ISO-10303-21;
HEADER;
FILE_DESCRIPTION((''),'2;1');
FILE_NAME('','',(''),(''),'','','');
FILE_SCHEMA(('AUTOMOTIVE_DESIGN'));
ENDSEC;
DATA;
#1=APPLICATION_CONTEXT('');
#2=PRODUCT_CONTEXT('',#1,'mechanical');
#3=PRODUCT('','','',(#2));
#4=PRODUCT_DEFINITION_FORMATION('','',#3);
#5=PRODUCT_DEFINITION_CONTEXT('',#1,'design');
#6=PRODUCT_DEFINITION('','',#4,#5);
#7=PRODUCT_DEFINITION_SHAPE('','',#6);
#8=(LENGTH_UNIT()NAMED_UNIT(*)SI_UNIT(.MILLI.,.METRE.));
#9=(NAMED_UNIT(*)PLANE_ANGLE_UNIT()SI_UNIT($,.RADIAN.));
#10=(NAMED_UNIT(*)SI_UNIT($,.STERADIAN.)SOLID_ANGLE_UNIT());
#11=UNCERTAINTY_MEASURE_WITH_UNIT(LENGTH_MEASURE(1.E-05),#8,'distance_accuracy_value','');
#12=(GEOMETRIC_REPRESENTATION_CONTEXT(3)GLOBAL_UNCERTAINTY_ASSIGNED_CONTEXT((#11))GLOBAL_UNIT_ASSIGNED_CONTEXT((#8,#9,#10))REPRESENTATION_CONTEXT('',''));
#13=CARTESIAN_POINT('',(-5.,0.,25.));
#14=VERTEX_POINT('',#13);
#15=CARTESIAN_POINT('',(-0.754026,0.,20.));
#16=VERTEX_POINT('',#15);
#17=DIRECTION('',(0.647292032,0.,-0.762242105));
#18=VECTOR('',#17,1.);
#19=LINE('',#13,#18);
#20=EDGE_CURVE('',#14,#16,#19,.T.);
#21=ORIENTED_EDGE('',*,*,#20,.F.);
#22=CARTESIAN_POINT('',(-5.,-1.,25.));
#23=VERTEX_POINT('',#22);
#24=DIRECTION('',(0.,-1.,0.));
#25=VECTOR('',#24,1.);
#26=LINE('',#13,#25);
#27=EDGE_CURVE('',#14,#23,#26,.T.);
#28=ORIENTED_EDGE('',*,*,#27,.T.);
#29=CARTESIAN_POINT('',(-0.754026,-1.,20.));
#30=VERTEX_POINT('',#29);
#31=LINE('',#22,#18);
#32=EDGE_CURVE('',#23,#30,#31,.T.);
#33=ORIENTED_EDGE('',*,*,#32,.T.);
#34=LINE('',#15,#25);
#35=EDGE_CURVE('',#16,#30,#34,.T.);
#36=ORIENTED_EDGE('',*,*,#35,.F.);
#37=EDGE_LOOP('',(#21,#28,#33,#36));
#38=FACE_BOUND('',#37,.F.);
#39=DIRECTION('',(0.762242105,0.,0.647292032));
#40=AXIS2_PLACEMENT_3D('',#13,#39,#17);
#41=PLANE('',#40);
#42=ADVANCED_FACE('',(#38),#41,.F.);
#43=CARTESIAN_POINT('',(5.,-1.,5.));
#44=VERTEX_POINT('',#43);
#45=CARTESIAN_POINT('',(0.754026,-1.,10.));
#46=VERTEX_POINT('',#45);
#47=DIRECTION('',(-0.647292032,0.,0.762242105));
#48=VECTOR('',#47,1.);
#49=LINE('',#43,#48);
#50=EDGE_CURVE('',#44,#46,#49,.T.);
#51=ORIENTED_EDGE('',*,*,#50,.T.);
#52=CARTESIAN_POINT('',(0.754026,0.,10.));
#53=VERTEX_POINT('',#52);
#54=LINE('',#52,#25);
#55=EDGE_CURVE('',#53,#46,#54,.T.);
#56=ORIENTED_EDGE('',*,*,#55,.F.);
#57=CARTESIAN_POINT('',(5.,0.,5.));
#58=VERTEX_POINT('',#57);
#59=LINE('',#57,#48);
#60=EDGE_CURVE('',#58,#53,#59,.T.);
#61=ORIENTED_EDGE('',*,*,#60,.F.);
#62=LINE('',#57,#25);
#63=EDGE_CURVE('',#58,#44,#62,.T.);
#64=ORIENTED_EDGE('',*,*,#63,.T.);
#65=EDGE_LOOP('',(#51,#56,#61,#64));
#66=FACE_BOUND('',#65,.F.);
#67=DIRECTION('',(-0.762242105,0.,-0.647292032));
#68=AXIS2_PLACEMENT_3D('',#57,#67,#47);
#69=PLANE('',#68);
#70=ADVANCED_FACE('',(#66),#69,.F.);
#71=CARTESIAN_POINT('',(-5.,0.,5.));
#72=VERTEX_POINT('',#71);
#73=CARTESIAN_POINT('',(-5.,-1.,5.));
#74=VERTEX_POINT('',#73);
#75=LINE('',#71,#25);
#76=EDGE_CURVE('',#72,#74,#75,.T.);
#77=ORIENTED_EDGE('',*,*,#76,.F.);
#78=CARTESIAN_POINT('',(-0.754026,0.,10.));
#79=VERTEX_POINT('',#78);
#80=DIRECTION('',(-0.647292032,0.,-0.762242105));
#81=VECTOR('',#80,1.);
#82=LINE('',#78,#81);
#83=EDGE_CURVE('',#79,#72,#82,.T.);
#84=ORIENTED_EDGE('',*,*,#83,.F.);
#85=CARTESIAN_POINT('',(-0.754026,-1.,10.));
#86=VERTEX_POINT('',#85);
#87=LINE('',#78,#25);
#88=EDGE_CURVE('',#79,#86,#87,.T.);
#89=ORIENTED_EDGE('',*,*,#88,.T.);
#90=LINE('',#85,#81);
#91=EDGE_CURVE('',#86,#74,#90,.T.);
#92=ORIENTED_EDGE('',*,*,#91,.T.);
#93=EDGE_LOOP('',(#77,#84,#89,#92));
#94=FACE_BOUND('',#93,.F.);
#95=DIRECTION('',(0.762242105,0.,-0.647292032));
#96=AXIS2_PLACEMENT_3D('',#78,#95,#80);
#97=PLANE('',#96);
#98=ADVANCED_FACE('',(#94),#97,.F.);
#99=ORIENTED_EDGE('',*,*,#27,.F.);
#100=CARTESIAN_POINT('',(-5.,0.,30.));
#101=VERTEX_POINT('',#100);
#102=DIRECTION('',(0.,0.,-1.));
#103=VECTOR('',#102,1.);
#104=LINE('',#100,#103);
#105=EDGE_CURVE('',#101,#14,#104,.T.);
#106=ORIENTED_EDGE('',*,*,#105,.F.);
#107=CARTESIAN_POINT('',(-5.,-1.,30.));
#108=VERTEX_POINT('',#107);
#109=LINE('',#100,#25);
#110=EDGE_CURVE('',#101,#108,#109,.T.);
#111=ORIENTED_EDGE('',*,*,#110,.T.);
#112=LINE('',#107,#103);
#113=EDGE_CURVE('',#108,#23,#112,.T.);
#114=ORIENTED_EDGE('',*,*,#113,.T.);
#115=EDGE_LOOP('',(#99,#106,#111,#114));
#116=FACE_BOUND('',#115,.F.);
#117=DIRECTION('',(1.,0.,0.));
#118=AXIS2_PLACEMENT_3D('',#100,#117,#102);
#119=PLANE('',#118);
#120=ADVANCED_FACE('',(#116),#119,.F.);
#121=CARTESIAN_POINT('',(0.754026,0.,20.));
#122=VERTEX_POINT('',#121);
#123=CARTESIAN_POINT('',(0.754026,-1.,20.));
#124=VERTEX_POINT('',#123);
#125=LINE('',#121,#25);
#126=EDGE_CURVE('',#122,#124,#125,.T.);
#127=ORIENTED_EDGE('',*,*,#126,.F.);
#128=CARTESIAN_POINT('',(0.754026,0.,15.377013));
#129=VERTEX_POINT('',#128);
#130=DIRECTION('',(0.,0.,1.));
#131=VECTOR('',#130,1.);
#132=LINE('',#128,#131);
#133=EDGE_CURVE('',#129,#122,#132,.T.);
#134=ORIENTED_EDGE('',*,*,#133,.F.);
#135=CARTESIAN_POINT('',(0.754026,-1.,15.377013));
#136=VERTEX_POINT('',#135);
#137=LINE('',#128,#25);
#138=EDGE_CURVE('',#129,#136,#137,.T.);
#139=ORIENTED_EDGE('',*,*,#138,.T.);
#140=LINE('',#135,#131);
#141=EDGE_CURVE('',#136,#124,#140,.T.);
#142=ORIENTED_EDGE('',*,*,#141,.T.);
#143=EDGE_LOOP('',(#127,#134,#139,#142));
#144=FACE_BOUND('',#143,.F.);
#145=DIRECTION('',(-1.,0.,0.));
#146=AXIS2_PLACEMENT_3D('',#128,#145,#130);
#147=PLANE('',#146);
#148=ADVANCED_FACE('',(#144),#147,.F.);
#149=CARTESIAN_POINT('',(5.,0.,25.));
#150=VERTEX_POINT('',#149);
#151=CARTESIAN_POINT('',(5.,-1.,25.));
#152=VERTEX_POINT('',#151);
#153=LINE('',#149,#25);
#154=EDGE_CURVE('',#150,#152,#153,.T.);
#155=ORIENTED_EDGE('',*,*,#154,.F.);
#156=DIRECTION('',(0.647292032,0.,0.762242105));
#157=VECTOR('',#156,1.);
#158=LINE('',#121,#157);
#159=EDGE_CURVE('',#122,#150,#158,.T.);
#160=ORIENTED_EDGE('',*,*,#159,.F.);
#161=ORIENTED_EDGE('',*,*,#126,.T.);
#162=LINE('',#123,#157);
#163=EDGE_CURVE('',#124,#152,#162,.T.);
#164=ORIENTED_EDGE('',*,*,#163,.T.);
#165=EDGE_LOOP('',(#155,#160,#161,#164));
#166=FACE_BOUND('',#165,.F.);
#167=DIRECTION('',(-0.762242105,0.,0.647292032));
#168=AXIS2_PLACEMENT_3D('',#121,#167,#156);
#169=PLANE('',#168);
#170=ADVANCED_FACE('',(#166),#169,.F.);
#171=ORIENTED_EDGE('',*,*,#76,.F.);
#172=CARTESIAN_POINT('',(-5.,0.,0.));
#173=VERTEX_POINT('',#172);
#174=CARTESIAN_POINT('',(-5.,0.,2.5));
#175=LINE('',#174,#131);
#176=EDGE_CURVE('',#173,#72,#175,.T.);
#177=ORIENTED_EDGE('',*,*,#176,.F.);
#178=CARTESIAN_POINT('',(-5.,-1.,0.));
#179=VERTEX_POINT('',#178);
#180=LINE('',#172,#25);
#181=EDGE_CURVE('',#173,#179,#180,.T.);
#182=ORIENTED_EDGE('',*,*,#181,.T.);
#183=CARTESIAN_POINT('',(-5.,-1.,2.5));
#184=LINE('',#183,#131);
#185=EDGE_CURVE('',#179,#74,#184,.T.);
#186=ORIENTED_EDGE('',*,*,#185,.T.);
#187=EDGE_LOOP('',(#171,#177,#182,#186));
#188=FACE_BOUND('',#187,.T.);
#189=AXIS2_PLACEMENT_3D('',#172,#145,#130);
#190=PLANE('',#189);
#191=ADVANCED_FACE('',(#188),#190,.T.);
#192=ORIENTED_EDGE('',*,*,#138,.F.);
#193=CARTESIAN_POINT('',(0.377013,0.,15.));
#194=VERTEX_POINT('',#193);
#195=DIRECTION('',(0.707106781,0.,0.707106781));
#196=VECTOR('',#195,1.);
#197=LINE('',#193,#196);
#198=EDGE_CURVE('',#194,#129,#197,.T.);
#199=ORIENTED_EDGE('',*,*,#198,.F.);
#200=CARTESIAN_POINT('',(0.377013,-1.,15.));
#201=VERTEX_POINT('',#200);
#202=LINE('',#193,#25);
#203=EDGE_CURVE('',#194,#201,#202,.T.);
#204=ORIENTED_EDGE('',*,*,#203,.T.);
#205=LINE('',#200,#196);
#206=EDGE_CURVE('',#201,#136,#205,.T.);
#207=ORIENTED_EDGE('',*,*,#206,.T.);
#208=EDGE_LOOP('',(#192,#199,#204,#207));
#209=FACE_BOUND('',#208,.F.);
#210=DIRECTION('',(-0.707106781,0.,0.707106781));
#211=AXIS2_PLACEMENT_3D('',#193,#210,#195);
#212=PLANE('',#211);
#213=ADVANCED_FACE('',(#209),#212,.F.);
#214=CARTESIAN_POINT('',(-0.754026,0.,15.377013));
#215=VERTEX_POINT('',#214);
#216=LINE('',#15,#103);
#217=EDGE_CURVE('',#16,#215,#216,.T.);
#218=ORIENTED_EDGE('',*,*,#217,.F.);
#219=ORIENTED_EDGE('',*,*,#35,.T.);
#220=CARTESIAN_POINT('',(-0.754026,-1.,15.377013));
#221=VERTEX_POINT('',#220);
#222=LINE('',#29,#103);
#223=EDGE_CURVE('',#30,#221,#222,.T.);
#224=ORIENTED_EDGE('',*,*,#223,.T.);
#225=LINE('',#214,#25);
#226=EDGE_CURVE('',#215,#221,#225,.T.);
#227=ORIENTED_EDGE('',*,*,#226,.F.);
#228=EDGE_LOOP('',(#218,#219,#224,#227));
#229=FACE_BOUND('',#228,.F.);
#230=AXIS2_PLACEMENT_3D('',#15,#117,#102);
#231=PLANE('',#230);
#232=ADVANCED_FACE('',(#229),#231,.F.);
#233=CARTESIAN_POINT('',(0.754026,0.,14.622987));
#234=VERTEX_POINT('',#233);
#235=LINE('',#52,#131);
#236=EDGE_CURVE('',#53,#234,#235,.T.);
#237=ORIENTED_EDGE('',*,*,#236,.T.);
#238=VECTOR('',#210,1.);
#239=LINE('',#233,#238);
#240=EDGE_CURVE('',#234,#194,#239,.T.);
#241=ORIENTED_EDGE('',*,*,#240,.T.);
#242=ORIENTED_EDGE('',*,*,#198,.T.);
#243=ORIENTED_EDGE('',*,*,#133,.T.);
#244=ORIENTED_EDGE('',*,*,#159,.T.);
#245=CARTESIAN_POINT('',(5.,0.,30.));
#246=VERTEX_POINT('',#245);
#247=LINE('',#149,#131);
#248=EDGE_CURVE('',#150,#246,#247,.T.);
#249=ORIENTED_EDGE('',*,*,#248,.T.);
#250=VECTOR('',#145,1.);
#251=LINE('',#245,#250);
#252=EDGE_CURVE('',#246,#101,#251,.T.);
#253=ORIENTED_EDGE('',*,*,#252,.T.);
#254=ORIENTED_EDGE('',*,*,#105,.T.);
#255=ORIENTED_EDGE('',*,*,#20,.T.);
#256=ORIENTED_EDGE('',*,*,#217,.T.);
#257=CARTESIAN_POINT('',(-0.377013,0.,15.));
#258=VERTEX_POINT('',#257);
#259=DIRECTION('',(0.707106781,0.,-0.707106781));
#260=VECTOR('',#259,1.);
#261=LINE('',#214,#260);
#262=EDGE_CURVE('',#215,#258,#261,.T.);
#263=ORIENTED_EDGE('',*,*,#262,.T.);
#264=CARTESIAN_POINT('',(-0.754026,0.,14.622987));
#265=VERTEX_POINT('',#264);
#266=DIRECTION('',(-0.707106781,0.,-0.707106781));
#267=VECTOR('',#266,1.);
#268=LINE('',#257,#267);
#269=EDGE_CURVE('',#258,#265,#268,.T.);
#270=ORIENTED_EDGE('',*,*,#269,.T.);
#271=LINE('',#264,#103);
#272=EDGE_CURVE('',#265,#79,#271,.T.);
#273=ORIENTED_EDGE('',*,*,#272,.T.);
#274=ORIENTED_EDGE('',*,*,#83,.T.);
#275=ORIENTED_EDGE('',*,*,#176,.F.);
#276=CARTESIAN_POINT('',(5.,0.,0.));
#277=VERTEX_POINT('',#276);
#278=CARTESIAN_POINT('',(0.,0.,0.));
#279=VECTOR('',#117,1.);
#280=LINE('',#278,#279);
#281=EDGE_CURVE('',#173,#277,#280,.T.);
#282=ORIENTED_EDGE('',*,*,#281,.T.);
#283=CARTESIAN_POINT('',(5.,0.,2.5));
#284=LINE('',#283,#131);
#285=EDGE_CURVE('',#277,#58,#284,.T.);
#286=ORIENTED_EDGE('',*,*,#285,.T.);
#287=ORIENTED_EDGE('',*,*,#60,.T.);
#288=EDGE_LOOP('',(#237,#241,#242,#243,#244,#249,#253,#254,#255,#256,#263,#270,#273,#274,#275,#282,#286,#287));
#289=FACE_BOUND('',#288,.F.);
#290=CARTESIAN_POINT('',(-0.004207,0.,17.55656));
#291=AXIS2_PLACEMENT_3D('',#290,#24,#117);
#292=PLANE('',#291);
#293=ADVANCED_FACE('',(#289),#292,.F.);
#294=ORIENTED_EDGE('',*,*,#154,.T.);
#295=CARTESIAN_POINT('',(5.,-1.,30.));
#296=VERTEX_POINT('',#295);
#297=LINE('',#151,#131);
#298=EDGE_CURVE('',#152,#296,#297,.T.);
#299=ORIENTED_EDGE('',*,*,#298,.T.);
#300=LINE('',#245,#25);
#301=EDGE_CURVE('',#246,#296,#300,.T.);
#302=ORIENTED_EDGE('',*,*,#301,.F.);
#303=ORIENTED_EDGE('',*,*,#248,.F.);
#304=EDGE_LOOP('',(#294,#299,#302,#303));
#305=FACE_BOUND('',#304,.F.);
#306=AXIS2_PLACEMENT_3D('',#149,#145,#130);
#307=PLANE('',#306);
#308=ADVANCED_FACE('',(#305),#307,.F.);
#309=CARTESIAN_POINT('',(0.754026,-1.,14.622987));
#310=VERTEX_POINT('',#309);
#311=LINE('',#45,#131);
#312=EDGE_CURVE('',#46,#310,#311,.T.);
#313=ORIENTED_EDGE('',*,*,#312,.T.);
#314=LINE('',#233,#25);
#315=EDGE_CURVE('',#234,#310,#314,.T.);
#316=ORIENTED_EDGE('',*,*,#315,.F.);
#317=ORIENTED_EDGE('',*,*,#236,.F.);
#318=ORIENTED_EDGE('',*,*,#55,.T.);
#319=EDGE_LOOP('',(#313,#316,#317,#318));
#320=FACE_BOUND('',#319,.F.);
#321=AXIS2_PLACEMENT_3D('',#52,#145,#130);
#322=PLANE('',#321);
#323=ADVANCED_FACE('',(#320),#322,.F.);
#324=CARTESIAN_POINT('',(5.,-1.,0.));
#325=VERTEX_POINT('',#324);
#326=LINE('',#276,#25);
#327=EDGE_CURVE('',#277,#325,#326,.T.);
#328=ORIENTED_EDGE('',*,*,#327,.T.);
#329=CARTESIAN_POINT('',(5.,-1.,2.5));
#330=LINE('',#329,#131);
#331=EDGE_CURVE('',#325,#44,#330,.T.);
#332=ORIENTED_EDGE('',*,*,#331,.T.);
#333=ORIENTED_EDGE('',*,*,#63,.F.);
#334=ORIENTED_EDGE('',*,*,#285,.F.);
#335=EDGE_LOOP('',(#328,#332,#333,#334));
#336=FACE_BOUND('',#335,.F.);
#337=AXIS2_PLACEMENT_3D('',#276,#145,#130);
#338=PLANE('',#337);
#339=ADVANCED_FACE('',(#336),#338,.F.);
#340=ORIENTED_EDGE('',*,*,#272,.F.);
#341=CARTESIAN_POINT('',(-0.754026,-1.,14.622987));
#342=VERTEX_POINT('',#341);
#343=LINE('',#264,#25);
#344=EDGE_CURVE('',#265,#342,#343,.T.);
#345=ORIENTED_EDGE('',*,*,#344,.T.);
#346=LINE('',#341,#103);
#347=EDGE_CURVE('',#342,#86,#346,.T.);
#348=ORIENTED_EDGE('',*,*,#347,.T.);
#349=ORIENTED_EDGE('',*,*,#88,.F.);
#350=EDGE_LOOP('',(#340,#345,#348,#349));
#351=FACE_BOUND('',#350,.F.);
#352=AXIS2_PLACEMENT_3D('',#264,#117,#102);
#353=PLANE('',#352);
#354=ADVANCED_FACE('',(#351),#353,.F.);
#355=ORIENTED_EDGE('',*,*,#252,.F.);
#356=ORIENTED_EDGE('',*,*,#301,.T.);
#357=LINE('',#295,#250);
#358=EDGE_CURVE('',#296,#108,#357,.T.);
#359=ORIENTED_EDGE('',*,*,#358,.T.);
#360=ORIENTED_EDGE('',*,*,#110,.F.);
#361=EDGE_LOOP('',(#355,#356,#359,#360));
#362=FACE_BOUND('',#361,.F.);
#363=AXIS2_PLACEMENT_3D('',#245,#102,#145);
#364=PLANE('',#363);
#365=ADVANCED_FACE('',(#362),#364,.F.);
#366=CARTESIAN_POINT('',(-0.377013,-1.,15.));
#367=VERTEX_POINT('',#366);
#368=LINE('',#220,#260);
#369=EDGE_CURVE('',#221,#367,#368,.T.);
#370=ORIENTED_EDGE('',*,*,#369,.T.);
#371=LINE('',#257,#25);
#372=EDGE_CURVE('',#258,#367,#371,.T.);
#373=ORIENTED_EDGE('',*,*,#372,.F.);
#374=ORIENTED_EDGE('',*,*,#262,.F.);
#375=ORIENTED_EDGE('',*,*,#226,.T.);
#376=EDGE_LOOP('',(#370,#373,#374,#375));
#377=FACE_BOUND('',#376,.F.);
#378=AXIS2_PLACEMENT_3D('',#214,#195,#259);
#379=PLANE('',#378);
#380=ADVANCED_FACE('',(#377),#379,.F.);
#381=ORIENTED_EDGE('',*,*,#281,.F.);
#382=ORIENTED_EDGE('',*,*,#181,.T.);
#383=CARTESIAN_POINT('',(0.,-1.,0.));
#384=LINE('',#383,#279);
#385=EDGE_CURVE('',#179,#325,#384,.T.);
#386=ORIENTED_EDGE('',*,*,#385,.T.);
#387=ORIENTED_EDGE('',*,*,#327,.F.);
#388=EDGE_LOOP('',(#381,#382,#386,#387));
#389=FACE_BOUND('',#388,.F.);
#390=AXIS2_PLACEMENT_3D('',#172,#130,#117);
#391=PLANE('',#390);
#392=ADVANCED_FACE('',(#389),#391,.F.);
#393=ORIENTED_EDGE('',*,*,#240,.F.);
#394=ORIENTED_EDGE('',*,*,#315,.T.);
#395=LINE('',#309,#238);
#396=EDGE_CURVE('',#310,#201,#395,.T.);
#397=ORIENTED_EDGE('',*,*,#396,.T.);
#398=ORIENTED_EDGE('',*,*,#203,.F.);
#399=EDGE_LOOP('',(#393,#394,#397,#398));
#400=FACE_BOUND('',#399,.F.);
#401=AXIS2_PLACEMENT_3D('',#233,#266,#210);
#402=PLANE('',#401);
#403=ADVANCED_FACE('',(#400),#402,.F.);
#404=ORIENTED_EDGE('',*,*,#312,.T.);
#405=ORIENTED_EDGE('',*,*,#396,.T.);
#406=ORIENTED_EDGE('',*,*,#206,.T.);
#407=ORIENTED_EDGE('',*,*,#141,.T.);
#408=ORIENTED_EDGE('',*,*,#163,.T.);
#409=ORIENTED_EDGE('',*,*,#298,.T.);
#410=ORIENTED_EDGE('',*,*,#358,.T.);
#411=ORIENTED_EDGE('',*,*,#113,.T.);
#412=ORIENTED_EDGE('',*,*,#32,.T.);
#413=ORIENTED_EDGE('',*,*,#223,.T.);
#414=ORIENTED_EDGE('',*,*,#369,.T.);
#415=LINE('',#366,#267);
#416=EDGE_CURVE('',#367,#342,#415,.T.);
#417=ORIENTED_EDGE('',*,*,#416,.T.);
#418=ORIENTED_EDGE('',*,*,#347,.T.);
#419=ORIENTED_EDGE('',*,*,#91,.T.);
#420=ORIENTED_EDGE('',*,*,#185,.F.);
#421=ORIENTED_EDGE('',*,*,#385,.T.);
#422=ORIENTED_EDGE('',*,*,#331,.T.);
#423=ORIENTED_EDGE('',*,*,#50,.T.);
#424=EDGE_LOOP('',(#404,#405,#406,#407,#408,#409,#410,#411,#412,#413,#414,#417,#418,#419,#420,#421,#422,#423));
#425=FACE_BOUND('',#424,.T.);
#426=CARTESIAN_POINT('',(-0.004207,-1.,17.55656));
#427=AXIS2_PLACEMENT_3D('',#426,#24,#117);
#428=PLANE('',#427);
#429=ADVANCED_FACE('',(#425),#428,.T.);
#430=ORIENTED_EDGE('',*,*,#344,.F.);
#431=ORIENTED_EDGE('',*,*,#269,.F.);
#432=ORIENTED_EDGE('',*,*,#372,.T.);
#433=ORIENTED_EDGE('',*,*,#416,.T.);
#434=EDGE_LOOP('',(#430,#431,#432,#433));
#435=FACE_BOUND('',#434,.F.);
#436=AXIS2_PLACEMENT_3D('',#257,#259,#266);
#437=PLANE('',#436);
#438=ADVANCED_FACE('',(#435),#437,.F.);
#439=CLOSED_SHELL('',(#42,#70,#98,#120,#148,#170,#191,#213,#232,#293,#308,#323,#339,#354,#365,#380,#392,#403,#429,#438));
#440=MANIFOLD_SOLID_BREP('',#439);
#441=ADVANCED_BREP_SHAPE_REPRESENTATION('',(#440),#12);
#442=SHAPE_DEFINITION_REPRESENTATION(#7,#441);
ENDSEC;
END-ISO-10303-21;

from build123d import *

# Parameters (mm, degrees)
F0_W     = 10
F0_H     = 5
F1_DEPTH = 1


with BuildPart() as f1:
    # F0 (on Front) → F1 (new body)
    with BuildSketch(Plane.XZ):
        Polygon((-0.377013, 15.377013), (-0.377013, 15), (0, 15), (0.377013, 15), (0.754026, 15.377013), (0.754026, 20), (-0.754026, 20), (-0.754026, 15.377013), align=None)
        with Locations((0, 2.5)):
            Rectangle(F0_W, F0_H)
        Polygon((-5, 25), (-0.754026, 20), (0.754026, 20), (5, 25), (5, 30), (-5, 30), align=None)
        Polygon((-0.754026, 10), (-5, 5), (5, 5), (0.754026, 10), align=None)
        Polygon((-0.754026, 14.622987), (-0.754026, 10), (0.754026, 10), (0.754026, 14.622987), (0.377013, 15), (0, 15), (-0.377013, 15), align=None)
        Polygon((-0.754026, 15.377013), (-0.377013, 15), (-0.377013, 15.377013), align=None)
    extrude(amount=F1_DEPTH)


solid = f1.part
